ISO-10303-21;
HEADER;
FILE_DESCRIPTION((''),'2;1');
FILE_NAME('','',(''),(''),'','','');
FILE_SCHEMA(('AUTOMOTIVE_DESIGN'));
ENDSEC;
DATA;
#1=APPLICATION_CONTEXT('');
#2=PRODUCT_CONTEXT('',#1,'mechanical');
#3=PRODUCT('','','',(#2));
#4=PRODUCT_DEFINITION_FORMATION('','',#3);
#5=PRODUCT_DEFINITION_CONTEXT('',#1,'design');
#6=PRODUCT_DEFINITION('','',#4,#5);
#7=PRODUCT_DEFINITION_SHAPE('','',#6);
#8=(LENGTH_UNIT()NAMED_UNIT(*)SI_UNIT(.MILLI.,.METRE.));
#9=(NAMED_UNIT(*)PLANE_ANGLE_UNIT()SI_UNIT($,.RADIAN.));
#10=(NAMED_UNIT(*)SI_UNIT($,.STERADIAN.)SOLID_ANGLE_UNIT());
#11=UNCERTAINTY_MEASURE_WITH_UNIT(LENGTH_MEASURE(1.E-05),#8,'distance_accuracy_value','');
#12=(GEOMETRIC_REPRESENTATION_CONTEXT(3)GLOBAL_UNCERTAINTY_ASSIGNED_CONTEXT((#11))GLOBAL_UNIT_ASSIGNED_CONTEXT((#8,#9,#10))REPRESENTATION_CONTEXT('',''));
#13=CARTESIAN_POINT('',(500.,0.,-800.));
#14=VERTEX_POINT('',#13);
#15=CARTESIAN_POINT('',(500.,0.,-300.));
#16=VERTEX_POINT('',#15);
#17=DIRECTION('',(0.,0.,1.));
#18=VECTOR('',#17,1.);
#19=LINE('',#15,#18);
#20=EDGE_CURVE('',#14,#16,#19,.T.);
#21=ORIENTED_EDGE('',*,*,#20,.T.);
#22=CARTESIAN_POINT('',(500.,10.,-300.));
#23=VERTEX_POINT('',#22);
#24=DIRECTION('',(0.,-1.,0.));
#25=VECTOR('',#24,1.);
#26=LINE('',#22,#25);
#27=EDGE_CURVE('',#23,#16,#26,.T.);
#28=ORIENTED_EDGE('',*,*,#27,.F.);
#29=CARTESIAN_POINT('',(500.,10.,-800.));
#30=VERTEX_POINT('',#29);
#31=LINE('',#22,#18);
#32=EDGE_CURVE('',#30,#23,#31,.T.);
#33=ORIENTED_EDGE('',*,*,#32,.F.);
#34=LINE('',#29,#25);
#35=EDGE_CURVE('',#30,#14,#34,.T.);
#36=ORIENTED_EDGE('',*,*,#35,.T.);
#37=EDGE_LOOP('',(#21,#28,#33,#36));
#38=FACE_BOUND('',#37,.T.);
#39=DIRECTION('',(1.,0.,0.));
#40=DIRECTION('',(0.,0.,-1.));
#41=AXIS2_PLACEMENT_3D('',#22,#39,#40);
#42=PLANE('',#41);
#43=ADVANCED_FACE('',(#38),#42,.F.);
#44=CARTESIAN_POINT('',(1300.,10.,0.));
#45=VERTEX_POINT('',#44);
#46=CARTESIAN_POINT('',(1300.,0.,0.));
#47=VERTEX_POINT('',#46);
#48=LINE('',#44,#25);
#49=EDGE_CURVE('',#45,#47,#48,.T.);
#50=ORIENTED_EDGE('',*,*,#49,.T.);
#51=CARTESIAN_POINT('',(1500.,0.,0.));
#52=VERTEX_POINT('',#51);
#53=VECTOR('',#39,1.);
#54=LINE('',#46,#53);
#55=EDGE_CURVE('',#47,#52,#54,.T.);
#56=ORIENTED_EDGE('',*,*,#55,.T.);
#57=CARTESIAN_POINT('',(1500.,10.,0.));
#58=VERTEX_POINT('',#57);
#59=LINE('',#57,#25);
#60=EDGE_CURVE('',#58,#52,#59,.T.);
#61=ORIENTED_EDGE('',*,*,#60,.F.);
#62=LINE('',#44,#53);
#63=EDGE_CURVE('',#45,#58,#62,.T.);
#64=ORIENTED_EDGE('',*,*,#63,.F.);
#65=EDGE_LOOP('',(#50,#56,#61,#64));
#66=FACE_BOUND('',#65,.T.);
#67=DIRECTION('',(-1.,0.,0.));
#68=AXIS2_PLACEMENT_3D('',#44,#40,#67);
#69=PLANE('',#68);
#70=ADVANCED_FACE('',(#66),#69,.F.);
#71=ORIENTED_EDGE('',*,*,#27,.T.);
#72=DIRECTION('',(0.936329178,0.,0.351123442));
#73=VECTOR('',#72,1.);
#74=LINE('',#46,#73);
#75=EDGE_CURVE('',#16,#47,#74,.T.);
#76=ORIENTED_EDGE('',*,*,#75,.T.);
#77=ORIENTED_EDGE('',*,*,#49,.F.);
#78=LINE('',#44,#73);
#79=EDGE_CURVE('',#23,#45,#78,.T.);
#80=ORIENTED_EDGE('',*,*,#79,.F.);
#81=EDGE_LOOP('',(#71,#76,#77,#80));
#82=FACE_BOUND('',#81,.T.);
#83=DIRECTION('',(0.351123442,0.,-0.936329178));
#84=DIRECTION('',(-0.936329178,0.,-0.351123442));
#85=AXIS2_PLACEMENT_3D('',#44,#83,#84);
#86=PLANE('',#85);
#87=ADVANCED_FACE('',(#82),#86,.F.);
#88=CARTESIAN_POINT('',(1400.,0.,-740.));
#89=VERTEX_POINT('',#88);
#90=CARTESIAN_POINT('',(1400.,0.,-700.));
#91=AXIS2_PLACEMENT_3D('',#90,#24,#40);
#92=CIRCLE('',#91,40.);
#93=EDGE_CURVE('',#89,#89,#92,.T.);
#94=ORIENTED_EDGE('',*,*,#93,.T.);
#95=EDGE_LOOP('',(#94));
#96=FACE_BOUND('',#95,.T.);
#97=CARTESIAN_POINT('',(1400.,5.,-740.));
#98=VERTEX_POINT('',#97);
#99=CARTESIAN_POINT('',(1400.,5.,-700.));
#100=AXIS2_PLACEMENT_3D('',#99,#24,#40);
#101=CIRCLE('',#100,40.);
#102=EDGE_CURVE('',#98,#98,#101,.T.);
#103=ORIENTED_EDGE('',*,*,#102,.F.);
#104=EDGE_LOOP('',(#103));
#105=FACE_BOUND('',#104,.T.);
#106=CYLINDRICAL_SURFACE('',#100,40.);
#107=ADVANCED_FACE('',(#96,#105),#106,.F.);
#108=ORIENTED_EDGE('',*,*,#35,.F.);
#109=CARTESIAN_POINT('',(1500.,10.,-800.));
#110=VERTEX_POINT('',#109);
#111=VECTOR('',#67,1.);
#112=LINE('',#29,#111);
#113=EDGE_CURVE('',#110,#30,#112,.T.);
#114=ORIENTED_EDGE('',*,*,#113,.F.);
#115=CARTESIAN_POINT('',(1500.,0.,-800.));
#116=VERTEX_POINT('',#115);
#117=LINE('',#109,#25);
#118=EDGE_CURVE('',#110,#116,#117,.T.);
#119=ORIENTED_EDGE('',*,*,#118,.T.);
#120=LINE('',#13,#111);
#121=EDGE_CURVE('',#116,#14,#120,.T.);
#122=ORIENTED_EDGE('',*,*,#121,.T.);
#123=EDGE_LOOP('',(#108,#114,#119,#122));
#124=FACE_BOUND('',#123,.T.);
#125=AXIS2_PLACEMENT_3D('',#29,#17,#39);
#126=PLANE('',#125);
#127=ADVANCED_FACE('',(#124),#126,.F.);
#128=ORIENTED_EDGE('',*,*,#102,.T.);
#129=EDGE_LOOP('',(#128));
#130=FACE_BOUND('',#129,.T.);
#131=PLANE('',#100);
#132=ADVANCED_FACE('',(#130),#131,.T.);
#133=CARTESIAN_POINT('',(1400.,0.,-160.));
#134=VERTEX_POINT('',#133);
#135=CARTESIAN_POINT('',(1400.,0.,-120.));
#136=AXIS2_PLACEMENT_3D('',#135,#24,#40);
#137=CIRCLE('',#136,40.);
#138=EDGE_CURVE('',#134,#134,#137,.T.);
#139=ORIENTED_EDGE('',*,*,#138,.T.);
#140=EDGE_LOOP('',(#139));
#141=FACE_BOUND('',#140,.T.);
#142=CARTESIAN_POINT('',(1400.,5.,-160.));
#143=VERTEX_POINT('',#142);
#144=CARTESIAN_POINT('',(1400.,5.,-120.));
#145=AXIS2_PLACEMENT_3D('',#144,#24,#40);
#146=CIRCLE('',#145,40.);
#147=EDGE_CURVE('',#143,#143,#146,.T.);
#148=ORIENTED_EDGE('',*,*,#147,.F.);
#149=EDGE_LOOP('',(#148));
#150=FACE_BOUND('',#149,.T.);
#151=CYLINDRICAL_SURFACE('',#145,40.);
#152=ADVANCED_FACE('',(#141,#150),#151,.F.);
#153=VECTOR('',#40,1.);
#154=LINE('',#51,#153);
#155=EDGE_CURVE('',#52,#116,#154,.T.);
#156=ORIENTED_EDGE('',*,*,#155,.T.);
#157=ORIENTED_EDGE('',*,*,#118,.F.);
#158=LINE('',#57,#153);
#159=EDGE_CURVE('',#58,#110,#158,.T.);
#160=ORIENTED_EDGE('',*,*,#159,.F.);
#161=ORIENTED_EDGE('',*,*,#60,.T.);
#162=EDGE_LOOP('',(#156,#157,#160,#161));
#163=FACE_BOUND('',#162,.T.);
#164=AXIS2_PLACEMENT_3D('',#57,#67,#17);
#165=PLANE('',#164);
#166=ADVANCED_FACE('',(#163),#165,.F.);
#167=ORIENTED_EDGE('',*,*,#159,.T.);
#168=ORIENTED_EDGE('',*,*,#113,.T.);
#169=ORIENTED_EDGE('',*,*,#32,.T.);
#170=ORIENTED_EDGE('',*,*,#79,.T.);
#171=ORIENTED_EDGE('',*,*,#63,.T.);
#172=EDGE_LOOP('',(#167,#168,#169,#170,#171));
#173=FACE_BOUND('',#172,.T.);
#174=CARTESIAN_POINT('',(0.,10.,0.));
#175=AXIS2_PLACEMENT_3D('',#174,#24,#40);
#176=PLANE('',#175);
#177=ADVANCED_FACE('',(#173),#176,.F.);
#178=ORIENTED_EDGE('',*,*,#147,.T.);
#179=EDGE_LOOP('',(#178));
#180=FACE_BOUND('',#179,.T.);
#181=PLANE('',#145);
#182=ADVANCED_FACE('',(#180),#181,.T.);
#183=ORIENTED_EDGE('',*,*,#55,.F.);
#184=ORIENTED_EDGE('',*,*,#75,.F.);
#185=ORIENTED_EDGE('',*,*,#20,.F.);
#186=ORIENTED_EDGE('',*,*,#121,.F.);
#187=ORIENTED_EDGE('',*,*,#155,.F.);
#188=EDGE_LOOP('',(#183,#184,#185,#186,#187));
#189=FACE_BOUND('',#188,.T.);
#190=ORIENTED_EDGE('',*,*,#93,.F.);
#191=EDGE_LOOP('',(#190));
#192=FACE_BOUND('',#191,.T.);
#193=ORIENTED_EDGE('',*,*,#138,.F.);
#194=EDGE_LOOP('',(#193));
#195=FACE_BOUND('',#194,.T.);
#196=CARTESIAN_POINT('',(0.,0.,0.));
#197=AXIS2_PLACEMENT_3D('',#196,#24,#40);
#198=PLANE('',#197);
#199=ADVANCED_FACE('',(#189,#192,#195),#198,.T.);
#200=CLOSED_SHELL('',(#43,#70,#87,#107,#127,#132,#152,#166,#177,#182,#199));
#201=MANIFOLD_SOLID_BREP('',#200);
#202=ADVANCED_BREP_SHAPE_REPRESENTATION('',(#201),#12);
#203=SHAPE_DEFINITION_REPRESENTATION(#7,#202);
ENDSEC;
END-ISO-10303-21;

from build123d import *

# Parameters (mm, degrees)
EXTRUDE_1_DEPTH     = 10
SKETCH_2_R          = 40
CUT_EXTRUDE_1_DEPTH = 5


with BuildPart() as part:
    # Эскиз1 → Бобышка-Вытянуть1 (new body)
    with BuildSketch(Plane(origin=(0, 0, 0), x_dir=(1, 0, 0), z_dir=(0, 1, 0))):
        Polygon((1300, 0), (1500, 0), (1500, 800), (500, 800), (500, 300), align=None)
    extrude(amount=EXTRUDE_1_DEPTH)

    # Эскиз2 → Вырез-Вытянуть1 (cut)
    with BuildSketch(Plane.XZ):
        with Locations(Location((1400, -120, 0), (0, 0, 270))):
            Circle(SKETCH_2_R)
        with Locations(Location((1400, -700, 0), (0, 0, 270))):
            Circle(SKETCH_2_R)
    extrude(amount=-CUT_EXTRUDE_1_DEPTH, mode=Mode.SUBTRACT)


solid = part.part
